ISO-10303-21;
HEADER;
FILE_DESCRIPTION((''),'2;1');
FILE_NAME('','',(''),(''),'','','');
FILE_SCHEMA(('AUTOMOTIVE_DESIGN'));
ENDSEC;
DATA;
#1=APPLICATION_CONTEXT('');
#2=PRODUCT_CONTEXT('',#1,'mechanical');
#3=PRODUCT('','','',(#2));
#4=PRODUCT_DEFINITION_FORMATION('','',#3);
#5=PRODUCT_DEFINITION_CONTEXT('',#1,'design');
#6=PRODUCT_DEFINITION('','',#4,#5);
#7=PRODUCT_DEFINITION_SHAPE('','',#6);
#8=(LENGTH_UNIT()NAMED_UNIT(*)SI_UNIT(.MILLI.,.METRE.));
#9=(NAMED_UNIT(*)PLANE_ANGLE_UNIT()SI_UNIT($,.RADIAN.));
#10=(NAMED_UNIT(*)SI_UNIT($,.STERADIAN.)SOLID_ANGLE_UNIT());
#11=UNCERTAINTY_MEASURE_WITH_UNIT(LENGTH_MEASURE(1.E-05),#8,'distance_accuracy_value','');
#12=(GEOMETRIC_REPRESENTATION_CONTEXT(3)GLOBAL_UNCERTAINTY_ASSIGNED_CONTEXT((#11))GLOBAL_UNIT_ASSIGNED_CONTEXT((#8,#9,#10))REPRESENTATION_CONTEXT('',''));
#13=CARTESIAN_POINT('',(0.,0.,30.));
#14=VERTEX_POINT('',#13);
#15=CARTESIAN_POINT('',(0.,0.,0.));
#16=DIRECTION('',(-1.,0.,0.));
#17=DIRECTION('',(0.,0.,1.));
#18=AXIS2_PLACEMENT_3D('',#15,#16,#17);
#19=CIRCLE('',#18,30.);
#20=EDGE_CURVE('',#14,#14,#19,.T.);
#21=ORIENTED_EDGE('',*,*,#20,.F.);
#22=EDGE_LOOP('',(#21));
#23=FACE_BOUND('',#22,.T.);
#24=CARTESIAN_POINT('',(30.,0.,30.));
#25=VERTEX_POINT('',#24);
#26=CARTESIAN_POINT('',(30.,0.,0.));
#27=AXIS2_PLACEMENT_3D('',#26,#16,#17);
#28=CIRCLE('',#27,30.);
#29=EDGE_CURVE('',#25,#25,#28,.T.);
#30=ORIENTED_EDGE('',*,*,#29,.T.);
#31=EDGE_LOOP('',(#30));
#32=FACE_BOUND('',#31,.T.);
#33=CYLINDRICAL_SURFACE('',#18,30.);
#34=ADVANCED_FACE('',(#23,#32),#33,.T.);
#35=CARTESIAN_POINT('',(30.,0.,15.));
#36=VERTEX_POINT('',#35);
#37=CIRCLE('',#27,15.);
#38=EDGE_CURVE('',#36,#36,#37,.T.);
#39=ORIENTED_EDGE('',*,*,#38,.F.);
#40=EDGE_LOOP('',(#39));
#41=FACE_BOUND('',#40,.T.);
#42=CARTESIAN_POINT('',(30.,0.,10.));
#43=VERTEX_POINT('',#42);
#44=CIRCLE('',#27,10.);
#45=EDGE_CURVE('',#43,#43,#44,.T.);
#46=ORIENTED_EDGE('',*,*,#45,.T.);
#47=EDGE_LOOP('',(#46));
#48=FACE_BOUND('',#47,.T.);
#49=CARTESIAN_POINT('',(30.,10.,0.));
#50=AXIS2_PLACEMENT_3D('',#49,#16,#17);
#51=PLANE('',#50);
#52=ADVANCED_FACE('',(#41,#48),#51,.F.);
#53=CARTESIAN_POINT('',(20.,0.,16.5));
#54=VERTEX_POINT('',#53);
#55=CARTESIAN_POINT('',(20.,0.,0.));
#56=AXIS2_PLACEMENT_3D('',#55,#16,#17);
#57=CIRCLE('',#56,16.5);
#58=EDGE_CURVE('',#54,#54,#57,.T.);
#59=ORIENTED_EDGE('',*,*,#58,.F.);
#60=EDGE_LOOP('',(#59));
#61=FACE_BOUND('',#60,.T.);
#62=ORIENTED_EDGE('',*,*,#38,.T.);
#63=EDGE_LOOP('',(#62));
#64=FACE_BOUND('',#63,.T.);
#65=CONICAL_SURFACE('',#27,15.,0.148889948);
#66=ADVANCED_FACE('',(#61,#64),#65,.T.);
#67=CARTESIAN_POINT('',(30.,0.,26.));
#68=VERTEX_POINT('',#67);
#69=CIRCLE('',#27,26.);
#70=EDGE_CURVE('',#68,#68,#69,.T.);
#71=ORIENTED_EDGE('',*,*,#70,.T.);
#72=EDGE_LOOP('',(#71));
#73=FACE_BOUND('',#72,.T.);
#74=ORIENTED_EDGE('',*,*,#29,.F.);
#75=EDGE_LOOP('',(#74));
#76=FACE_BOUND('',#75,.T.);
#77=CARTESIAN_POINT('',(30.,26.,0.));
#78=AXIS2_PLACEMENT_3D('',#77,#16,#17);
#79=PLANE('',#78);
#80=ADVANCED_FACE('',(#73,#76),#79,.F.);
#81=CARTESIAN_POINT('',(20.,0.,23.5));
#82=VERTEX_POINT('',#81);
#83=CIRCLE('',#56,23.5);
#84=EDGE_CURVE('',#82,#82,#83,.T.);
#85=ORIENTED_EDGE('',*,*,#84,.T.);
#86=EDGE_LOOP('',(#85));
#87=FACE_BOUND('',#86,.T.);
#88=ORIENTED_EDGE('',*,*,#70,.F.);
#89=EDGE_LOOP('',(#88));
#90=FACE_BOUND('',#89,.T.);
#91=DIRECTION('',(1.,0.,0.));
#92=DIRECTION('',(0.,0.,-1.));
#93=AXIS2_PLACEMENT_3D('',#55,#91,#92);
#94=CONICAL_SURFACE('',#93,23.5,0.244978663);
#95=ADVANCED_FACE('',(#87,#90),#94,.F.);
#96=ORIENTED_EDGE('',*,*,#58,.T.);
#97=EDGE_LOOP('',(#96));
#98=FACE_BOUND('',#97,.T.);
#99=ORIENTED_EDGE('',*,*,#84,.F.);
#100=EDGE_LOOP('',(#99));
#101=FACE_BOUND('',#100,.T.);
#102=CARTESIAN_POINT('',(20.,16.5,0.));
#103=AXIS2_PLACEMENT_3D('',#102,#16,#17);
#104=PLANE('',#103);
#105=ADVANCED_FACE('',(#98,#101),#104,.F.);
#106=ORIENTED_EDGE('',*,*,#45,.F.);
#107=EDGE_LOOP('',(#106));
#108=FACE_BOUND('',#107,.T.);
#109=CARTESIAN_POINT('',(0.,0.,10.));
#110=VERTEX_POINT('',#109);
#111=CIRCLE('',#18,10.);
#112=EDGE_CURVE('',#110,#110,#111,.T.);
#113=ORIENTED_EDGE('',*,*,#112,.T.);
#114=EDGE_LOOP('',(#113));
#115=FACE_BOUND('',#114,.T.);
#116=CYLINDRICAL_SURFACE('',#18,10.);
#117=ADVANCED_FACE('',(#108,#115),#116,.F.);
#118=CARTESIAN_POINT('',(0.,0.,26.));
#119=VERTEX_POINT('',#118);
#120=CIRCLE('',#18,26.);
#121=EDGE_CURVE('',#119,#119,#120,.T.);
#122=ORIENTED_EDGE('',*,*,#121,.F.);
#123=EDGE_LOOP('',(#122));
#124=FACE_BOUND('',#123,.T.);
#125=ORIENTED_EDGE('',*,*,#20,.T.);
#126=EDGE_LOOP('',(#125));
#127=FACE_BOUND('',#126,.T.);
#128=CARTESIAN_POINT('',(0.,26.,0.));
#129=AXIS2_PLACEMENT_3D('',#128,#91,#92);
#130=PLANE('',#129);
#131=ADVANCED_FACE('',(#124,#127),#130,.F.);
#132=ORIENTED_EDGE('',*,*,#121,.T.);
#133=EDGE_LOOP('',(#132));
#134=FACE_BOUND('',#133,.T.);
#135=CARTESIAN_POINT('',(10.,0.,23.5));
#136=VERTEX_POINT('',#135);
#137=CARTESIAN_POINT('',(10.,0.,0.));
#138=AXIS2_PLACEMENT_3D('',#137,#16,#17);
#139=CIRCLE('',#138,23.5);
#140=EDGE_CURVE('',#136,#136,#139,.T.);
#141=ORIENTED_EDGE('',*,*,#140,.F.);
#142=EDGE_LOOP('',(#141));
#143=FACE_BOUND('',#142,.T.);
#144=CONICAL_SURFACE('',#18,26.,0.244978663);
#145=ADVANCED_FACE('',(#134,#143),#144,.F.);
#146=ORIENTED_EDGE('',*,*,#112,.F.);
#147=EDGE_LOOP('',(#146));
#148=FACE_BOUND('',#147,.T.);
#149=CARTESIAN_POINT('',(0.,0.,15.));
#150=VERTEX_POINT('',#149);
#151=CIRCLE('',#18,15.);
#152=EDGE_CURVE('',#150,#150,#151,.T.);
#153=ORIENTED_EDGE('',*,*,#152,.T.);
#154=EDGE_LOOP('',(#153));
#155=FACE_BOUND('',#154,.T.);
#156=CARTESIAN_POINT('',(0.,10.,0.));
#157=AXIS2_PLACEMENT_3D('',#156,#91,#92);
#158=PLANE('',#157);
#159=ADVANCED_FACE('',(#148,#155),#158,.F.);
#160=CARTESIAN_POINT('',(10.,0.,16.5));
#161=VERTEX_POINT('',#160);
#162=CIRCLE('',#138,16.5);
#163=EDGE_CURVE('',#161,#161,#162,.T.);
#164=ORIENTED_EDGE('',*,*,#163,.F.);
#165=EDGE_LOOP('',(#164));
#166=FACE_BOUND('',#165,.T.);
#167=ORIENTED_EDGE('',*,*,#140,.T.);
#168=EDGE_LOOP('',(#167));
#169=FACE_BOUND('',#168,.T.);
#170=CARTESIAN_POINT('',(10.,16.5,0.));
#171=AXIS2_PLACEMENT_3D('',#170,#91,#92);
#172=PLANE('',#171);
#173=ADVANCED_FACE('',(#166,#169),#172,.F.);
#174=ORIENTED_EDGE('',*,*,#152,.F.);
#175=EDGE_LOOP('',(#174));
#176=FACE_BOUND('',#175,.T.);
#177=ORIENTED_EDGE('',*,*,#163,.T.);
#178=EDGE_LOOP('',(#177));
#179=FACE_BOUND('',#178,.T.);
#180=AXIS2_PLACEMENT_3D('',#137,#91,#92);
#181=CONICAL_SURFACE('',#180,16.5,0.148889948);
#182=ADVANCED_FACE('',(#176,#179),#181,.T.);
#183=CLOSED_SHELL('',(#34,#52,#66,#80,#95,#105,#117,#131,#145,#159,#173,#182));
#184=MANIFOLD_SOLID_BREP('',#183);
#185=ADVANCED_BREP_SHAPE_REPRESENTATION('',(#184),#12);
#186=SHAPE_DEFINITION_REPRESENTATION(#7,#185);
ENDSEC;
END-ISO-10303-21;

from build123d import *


with BuildPart() as part:
    # Sketch1 → Revolve1 (revolve)
    with BuildSketch(Plane.XY, mode=Mode.PRIVATE) as revolve1_sk:
        Polygon((0, 10), (30, 10), (30, 15), (20, 16.5), (20, 23.5), (30, 26), (30, 30), (0, 30), (0, 26), (10, 23.5), (10, 16.5), (0, 15), align=None)
    revolve(revolve1_sk.sketch.rotate(Axis((0, 0, 0), (1, 0, 0)), 90), axis=Axis((0, 0, 0), (1, 0, 0)))


solid = part.part
